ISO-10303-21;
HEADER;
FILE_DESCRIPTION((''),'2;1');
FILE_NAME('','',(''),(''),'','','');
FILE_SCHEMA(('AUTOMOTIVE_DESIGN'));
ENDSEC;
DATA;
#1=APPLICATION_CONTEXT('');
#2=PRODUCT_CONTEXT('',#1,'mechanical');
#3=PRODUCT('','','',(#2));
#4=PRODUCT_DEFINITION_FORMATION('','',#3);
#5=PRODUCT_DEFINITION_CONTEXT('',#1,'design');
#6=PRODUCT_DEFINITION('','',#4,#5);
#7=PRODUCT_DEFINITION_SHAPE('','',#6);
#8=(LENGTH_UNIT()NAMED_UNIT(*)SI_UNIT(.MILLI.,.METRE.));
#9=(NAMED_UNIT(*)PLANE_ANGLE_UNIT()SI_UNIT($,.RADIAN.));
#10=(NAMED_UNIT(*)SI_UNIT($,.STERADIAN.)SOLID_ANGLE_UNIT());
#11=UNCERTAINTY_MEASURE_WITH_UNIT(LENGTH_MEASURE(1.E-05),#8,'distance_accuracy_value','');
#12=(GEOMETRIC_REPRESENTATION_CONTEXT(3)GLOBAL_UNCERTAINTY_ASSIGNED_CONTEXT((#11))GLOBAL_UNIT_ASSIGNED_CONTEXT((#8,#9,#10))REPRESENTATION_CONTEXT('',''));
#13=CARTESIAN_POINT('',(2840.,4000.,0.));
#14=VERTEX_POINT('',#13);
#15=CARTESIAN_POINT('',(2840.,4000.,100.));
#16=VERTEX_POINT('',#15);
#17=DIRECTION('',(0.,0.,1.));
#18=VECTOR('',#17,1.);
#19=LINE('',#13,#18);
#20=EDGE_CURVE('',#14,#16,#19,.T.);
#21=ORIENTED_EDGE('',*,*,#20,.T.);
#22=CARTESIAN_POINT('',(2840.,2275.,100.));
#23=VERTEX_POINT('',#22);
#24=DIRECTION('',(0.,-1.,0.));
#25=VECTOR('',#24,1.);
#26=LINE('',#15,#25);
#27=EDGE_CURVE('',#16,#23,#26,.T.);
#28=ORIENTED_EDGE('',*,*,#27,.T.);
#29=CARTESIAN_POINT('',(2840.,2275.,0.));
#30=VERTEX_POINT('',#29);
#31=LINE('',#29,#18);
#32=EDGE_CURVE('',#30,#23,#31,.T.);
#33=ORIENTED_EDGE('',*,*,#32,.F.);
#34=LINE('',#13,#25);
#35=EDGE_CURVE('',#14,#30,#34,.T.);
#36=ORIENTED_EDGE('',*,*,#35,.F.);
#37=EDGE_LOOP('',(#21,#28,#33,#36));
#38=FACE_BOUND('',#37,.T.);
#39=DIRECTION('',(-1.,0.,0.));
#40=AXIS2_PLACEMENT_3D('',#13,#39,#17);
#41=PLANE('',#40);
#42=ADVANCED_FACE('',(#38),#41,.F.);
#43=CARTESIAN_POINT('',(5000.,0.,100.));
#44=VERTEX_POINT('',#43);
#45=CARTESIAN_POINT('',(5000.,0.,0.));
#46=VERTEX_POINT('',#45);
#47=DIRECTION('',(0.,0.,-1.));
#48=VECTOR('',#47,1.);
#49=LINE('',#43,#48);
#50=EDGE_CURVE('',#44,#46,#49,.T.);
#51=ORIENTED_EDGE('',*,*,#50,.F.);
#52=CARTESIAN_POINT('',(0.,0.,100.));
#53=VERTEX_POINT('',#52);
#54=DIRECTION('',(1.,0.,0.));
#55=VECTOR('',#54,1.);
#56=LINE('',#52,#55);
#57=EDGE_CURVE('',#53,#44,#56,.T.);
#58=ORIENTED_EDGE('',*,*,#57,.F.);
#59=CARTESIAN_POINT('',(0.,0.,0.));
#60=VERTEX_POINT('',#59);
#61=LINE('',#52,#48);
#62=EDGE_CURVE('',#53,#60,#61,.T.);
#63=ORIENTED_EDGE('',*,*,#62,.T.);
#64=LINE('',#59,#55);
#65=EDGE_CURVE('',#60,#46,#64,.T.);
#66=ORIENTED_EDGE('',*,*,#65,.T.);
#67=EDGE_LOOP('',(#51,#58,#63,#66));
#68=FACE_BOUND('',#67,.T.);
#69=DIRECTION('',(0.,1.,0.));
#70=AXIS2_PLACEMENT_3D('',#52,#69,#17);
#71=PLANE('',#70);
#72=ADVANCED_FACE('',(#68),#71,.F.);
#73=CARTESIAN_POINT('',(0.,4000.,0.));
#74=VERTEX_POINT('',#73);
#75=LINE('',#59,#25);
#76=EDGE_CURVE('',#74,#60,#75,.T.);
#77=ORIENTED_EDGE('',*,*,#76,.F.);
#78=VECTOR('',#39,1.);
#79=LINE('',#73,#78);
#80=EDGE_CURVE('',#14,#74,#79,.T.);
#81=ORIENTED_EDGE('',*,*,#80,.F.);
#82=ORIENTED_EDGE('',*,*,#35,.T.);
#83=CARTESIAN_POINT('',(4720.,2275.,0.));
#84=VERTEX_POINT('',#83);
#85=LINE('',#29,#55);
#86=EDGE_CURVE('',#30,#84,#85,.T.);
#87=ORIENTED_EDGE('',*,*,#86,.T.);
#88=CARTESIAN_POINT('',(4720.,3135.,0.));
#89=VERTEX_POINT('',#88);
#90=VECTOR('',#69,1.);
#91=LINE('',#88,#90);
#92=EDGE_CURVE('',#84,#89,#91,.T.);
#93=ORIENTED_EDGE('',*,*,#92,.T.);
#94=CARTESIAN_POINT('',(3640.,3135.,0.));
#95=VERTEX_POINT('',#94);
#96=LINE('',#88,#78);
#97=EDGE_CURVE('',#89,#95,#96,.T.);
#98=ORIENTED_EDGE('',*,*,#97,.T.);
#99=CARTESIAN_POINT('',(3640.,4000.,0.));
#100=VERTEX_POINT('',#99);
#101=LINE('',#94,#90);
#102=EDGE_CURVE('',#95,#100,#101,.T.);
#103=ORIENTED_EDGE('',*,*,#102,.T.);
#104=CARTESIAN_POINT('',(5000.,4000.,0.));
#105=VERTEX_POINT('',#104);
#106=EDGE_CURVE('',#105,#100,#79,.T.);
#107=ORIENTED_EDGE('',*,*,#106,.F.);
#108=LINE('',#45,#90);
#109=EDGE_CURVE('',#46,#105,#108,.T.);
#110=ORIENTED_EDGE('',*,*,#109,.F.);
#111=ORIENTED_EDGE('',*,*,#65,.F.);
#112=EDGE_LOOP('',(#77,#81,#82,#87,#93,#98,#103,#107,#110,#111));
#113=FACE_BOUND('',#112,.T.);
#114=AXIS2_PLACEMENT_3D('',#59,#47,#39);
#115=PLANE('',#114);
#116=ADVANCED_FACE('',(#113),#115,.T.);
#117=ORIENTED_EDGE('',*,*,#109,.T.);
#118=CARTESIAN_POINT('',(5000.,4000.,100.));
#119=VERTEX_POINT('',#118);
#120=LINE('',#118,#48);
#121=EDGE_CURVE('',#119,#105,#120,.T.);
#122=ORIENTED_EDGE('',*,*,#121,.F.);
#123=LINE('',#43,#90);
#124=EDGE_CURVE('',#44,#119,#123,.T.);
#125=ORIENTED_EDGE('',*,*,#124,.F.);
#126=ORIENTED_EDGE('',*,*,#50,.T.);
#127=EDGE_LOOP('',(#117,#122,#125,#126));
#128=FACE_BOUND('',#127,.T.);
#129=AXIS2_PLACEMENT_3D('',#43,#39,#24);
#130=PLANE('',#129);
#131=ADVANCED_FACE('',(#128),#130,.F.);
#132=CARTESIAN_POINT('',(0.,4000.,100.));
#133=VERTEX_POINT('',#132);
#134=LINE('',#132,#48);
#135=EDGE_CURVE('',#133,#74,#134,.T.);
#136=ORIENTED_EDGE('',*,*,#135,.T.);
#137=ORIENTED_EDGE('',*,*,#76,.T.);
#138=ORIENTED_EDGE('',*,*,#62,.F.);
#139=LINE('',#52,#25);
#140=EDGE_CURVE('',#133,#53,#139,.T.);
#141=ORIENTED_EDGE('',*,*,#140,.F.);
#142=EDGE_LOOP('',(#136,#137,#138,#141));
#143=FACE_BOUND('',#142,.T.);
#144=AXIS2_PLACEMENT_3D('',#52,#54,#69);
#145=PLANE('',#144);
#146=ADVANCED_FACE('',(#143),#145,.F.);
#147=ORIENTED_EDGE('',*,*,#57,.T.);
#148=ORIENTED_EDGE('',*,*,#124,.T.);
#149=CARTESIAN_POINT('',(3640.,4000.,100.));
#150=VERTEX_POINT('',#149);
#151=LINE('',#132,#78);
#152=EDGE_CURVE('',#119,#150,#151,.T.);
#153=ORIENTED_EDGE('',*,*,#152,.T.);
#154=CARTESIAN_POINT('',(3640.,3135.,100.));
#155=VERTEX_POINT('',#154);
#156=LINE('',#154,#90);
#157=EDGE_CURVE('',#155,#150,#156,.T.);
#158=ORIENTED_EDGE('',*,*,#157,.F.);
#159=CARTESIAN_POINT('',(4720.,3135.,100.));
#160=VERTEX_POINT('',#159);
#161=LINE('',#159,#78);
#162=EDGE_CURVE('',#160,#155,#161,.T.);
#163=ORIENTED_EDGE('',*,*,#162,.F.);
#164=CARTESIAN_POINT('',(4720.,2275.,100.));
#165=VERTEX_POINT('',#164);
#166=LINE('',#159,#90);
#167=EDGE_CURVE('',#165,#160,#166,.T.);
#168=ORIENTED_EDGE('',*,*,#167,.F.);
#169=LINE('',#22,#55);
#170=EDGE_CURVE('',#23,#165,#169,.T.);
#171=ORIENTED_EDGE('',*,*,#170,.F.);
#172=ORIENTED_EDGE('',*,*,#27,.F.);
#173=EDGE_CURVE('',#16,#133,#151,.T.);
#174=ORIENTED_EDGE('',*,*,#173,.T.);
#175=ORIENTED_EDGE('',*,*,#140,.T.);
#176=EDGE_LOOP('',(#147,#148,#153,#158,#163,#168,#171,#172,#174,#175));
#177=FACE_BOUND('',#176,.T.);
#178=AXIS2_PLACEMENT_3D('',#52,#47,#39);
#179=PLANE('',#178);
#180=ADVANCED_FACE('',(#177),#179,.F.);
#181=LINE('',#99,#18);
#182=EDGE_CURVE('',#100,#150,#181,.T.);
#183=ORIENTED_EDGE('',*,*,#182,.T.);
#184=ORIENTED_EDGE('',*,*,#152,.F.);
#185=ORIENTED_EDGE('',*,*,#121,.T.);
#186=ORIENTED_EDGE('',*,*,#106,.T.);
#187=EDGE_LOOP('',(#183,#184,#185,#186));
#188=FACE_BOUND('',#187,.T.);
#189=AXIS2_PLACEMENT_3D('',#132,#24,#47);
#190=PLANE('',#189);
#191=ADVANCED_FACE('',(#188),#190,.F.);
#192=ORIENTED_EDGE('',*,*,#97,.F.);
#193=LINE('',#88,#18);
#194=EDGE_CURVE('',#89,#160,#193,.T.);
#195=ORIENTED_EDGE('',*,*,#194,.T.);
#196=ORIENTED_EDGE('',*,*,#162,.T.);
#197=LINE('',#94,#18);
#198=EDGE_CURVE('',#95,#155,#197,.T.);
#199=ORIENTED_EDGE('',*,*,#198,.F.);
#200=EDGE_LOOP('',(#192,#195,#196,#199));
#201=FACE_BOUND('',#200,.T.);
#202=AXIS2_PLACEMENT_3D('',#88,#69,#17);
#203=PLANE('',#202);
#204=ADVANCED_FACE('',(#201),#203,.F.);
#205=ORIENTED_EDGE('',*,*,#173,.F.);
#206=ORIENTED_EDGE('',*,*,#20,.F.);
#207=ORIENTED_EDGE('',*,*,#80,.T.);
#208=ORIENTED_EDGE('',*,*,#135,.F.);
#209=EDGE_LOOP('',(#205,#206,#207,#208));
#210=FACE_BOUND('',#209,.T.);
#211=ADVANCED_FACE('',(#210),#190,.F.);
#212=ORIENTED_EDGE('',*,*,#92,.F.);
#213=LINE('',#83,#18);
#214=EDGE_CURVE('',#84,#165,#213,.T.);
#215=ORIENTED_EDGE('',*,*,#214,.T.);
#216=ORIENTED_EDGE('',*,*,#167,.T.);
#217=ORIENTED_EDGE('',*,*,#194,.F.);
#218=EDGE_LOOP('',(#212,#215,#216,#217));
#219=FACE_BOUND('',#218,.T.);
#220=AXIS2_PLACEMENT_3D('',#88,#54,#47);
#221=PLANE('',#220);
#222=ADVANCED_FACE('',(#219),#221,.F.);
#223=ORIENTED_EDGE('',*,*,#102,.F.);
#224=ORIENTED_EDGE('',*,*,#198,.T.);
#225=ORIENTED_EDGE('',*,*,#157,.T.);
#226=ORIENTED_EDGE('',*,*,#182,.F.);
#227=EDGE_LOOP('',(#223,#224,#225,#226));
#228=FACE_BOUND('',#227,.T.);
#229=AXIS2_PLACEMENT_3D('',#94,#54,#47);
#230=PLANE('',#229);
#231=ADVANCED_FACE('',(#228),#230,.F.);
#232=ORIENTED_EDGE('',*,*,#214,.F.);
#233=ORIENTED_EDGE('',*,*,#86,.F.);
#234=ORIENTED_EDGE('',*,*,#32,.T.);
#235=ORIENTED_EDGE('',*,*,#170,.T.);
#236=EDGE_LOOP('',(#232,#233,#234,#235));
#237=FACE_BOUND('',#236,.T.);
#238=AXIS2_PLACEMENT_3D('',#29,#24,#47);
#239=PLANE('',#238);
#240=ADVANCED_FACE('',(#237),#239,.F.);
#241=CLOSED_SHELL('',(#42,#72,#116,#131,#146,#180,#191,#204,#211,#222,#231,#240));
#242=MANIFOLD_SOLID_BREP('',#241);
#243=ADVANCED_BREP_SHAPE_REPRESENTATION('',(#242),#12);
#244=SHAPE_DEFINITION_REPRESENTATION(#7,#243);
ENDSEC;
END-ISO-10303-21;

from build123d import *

# Parameters (mm, degrees)
CROQUIS1_W              = 5000
CROQUIS1_H              = 4000
SALIENTE_EXTRUIR1_DEPTH = 100
CORTAR_EXTRUIR1_DEPTH   = 100


with BuildPart() as part:
    # Croquis1 → Saliente-Extruir1 (new body)
    with BuildSketch(Plane.XY):
        with Locations((2500, 2000)):
            Rectangle(CROQUIS1_W, CROQUIS1_H)
    extrude(amount=SALIENTE_EXTRUIR1_DEPTH)

    # Croquis2 → Cortar-Extruir1 (cut)
    with BuildSketch(Plane.XY.offset(100)):
        Polygon((4720, 3135), (4720, 2275), (2840, 2275), (2840, 4000), (3640, 4000), (3640, 3135), align=None)
    extrude(amount=-CORTAR_EXTRUIR1_DEPTH, mode=Mode.SUBTRACT)


solid = part.part
